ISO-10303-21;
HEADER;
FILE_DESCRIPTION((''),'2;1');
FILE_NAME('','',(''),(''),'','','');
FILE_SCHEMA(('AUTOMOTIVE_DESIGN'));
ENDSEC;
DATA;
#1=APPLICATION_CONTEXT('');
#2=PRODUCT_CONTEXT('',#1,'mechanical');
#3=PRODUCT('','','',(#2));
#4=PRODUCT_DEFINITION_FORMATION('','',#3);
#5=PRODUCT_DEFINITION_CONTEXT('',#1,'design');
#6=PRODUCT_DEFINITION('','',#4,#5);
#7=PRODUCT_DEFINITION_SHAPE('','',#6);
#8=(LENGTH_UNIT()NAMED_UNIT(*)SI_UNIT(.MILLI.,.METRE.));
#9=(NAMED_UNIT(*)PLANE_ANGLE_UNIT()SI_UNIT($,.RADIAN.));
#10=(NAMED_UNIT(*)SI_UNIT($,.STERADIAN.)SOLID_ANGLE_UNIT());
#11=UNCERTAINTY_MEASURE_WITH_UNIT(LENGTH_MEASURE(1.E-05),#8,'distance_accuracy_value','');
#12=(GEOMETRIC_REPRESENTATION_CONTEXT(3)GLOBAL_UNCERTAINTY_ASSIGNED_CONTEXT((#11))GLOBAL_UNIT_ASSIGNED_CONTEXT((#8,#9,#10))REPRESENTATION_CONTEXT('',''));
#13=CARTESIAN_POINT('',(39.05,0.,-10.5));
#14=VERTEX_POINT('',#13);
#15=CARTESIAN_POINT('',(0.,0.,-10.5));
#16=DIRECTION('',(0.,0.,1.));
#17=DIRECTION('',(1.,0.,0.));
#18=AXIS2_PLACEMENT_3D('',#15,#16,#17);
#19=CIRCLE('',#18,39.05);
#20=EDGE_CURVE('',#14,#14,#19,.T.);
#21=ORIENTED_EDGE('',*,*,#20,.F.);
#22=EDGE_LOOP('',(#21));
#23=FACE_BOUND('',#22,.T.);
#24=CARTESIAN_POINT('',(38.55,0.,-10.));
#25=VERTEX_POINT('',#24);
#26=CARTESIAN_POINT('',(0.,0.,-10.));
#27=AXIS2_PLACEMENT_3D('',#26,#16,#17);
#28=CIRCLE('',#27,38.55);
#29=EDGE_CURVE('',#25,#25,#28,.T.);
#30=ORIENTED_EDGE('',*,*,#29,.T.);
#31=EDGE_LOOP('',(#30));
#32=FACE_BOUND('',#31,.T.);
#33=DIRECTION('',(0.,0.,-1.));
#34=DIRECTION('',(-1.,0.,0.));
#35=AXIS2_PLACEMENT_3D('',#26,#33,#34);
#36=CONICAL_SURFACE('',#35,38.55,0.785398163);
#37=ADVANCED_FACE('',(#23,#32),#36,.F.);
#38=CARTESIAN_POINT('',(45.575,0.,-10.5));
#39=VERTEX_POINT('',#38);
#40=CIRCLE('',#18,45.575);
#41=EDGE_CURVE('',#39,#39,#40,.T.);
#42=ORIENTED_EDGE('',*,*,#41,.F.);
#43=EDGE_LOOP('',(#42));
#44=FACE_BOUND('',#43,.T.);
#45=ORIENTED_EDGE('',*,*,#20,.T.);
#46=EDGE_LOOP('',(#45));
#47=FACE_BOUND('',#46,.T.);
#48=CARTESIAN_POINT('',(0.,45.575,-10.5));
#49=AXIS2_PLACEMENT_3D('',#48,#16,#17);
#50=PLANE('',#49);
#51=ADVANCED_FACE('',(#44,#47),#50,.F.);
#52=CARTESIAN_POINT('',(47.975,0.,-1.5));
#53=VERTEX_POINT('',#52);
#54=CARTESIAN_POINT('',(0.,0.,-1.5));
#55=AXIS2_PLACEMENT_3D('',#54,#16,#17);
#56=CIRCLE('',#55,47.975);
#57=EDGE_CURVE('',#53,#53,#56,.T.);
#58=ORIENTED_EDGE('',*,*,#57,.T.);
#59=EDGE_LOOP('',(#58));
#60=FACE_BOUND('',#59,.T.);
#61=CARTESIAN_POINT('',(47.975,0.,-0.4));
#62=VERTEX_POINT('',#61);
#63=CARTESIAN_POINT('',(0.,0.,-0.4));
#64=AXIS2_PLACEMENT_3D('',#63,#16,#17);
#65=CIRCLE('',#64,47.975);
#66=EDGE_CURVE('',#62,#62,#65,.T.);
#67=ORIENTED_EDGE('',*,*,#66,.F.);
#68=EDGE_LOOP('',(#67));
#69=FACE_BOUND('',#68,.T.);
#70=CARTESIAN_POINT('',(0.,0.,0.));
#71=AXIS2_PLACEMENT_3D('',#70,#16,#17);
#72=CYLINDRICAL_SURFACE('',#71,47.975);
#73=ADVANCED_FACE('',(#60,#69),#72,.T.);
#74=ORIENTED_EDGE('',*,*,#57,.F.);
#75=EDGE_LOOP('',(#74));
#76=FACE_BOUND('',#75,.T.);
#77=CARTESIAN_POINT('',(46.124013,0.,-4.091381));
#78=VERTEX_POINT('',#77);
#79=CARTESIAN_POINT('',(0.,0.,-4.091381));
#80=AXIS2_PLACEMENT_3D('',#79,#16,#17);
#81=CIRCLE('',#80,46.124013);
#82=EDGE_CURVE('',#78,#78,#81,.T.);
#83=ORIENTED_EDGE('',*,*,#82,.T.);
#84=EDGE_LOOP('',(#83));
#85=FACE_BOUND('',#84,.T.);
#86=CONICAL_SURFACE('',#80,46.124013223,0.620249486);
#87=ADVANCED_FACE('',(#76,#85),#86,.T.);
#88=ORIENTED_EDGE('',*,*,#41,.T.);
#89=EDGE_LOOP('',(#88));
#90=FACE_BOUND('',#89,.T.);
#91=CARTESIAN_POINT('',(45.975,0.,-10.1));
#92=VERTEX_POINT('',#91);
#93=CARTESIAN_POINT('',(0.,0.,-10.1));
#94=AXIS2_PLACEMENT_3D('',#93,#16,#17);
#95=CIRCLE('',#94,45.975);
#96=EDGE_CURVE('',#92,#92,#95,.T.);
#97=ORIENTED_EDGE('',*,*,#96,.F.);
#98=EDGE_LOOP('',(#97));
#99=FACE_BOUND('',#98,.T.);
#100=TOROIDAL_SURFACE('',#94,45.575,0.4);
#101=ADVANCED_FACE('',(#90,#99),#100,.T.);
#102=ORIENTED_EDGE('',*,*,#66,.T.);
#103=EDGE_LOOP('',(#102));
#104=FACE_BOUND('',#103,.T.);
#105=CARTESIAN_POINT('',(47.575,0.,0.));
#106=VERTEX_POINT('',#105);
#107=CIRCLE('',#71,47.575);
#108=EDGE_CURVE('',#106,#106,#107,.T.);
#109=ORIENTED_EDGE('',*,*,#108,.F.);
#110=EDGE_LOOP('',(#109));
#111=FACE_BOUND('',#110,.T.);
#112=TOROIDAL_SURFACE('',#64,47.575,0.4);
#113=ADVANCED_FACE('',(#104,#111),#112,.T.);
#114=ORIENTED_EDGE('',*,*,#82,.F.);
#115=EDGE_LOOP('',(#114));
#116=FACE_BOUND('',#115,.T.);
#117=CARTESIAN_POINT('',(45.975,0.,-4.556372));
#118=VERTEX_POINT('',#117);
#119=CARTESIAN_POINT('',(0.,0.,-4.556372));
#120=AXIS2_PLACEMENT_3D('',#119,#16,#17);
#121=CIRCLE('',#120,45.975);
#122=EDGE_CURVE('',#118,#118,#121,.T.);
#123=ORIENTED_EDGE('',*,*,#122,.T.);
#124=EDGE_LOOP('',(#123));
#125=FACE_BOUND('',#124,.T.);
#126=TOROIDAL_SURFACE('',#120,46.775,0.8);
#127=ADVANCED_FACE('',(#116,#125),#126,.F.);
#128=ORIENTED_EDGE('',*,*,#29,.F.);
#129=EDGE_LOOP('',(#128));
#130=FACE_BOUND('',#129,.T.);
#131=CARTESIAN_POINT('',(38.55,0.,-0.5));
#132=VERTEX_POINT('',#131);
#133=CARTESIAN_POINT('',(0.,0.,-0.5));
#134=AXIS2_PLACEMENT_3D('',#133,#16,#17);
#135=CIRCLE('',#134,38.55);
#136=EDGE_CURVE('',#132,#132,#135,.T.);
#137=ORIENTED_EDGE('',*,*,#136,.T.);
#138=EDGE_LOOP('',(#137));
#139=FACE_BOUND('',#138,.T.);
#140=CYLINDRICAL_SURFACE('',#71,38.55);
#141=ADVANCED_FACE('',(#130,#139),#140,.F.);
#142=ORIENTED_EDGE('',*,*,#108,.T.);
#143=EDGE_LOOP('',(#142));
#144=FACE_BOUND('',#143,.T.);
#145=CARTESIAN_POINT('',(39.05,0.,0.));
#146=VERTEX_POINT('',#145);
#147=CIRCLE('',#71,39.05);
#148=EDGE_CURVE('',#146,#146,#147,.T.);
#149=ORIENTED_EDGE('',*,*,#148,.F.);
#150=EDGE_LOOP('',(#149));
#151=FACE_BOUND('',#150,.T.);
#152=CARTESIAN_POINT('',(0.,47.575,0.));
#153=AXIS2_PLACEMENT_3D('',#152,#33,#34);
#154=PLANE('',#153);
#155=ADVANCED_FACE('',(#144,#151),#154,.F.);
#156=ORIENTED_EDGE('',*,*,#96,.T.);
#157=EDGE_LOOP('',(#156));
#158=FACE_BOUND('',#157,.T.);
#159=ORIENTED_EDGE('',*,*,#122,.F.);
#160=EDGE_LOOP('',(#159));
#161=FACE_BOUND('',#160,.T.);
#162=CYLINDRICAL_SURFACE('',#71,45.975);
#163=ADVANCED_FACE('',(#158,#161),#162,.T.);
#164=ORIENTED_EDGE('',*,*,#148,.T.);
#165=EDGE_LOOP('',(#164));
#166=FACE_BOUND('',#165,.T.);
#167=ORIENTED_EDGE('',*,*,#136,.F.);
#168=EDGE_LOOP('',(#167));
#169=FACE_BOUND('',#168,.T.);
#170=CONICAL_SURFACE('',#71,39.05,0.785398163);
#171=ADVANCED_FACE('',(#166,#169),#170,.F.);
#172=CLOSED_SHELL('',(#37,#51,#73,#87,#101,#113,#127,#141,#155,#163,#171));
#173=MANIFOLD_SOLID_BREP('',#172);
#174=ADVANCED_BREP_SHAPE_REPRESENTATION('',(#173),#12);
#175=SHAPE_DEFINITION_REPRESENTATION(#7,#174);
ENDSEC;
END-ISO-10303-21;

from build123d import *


with BuildPart() as part:
    # Sketch1 → Revolve1 (revolve)
    with BuildSketch(Plane(origin=(0, 0, 0), x_dir=(0, 0, -1), z_dir=(1, 0, 0)), mode=Mode.PRIVATE) as revolve1_sk:
        with BuildLine():
            Line((0, 39.05), (0.5, 38.55))
            Line((0.5, 38.55), (10, 38.55))
            Line((10, 38.55), (10.5, 39.05))
            Line((10.5, 39.05), (10.5, 45.575))
            ThreePointArc((10.5, 45.575), (10.382842712, 45.857842712), (10.1, 45.975))
            Line((10.1, 45.975), (4.556372043, 45.975))
            ThreePointArc((4.556372043, 45.975), (4.312230098, 46.013163593), (4.091381488, 46.124013223))
            Line((4.091381488, 46.124013223), (1.5, 47.975))
            Line((1.5, 47.975), (0.4, 47.975))
            ThreePointArc((0.4, 47.975), (0.117157288, 47.857842712), (0, 47.575))
            Line((0, 47.575), (0, 39.05))
        make_face()
    revolve(revolve1_sk.sketch.rotate(Axis((0, 0, 0), (0, 0, -1)), 90), axis=Axis((0, 0, 0), (0, 0, -1)))


solid = part.part
